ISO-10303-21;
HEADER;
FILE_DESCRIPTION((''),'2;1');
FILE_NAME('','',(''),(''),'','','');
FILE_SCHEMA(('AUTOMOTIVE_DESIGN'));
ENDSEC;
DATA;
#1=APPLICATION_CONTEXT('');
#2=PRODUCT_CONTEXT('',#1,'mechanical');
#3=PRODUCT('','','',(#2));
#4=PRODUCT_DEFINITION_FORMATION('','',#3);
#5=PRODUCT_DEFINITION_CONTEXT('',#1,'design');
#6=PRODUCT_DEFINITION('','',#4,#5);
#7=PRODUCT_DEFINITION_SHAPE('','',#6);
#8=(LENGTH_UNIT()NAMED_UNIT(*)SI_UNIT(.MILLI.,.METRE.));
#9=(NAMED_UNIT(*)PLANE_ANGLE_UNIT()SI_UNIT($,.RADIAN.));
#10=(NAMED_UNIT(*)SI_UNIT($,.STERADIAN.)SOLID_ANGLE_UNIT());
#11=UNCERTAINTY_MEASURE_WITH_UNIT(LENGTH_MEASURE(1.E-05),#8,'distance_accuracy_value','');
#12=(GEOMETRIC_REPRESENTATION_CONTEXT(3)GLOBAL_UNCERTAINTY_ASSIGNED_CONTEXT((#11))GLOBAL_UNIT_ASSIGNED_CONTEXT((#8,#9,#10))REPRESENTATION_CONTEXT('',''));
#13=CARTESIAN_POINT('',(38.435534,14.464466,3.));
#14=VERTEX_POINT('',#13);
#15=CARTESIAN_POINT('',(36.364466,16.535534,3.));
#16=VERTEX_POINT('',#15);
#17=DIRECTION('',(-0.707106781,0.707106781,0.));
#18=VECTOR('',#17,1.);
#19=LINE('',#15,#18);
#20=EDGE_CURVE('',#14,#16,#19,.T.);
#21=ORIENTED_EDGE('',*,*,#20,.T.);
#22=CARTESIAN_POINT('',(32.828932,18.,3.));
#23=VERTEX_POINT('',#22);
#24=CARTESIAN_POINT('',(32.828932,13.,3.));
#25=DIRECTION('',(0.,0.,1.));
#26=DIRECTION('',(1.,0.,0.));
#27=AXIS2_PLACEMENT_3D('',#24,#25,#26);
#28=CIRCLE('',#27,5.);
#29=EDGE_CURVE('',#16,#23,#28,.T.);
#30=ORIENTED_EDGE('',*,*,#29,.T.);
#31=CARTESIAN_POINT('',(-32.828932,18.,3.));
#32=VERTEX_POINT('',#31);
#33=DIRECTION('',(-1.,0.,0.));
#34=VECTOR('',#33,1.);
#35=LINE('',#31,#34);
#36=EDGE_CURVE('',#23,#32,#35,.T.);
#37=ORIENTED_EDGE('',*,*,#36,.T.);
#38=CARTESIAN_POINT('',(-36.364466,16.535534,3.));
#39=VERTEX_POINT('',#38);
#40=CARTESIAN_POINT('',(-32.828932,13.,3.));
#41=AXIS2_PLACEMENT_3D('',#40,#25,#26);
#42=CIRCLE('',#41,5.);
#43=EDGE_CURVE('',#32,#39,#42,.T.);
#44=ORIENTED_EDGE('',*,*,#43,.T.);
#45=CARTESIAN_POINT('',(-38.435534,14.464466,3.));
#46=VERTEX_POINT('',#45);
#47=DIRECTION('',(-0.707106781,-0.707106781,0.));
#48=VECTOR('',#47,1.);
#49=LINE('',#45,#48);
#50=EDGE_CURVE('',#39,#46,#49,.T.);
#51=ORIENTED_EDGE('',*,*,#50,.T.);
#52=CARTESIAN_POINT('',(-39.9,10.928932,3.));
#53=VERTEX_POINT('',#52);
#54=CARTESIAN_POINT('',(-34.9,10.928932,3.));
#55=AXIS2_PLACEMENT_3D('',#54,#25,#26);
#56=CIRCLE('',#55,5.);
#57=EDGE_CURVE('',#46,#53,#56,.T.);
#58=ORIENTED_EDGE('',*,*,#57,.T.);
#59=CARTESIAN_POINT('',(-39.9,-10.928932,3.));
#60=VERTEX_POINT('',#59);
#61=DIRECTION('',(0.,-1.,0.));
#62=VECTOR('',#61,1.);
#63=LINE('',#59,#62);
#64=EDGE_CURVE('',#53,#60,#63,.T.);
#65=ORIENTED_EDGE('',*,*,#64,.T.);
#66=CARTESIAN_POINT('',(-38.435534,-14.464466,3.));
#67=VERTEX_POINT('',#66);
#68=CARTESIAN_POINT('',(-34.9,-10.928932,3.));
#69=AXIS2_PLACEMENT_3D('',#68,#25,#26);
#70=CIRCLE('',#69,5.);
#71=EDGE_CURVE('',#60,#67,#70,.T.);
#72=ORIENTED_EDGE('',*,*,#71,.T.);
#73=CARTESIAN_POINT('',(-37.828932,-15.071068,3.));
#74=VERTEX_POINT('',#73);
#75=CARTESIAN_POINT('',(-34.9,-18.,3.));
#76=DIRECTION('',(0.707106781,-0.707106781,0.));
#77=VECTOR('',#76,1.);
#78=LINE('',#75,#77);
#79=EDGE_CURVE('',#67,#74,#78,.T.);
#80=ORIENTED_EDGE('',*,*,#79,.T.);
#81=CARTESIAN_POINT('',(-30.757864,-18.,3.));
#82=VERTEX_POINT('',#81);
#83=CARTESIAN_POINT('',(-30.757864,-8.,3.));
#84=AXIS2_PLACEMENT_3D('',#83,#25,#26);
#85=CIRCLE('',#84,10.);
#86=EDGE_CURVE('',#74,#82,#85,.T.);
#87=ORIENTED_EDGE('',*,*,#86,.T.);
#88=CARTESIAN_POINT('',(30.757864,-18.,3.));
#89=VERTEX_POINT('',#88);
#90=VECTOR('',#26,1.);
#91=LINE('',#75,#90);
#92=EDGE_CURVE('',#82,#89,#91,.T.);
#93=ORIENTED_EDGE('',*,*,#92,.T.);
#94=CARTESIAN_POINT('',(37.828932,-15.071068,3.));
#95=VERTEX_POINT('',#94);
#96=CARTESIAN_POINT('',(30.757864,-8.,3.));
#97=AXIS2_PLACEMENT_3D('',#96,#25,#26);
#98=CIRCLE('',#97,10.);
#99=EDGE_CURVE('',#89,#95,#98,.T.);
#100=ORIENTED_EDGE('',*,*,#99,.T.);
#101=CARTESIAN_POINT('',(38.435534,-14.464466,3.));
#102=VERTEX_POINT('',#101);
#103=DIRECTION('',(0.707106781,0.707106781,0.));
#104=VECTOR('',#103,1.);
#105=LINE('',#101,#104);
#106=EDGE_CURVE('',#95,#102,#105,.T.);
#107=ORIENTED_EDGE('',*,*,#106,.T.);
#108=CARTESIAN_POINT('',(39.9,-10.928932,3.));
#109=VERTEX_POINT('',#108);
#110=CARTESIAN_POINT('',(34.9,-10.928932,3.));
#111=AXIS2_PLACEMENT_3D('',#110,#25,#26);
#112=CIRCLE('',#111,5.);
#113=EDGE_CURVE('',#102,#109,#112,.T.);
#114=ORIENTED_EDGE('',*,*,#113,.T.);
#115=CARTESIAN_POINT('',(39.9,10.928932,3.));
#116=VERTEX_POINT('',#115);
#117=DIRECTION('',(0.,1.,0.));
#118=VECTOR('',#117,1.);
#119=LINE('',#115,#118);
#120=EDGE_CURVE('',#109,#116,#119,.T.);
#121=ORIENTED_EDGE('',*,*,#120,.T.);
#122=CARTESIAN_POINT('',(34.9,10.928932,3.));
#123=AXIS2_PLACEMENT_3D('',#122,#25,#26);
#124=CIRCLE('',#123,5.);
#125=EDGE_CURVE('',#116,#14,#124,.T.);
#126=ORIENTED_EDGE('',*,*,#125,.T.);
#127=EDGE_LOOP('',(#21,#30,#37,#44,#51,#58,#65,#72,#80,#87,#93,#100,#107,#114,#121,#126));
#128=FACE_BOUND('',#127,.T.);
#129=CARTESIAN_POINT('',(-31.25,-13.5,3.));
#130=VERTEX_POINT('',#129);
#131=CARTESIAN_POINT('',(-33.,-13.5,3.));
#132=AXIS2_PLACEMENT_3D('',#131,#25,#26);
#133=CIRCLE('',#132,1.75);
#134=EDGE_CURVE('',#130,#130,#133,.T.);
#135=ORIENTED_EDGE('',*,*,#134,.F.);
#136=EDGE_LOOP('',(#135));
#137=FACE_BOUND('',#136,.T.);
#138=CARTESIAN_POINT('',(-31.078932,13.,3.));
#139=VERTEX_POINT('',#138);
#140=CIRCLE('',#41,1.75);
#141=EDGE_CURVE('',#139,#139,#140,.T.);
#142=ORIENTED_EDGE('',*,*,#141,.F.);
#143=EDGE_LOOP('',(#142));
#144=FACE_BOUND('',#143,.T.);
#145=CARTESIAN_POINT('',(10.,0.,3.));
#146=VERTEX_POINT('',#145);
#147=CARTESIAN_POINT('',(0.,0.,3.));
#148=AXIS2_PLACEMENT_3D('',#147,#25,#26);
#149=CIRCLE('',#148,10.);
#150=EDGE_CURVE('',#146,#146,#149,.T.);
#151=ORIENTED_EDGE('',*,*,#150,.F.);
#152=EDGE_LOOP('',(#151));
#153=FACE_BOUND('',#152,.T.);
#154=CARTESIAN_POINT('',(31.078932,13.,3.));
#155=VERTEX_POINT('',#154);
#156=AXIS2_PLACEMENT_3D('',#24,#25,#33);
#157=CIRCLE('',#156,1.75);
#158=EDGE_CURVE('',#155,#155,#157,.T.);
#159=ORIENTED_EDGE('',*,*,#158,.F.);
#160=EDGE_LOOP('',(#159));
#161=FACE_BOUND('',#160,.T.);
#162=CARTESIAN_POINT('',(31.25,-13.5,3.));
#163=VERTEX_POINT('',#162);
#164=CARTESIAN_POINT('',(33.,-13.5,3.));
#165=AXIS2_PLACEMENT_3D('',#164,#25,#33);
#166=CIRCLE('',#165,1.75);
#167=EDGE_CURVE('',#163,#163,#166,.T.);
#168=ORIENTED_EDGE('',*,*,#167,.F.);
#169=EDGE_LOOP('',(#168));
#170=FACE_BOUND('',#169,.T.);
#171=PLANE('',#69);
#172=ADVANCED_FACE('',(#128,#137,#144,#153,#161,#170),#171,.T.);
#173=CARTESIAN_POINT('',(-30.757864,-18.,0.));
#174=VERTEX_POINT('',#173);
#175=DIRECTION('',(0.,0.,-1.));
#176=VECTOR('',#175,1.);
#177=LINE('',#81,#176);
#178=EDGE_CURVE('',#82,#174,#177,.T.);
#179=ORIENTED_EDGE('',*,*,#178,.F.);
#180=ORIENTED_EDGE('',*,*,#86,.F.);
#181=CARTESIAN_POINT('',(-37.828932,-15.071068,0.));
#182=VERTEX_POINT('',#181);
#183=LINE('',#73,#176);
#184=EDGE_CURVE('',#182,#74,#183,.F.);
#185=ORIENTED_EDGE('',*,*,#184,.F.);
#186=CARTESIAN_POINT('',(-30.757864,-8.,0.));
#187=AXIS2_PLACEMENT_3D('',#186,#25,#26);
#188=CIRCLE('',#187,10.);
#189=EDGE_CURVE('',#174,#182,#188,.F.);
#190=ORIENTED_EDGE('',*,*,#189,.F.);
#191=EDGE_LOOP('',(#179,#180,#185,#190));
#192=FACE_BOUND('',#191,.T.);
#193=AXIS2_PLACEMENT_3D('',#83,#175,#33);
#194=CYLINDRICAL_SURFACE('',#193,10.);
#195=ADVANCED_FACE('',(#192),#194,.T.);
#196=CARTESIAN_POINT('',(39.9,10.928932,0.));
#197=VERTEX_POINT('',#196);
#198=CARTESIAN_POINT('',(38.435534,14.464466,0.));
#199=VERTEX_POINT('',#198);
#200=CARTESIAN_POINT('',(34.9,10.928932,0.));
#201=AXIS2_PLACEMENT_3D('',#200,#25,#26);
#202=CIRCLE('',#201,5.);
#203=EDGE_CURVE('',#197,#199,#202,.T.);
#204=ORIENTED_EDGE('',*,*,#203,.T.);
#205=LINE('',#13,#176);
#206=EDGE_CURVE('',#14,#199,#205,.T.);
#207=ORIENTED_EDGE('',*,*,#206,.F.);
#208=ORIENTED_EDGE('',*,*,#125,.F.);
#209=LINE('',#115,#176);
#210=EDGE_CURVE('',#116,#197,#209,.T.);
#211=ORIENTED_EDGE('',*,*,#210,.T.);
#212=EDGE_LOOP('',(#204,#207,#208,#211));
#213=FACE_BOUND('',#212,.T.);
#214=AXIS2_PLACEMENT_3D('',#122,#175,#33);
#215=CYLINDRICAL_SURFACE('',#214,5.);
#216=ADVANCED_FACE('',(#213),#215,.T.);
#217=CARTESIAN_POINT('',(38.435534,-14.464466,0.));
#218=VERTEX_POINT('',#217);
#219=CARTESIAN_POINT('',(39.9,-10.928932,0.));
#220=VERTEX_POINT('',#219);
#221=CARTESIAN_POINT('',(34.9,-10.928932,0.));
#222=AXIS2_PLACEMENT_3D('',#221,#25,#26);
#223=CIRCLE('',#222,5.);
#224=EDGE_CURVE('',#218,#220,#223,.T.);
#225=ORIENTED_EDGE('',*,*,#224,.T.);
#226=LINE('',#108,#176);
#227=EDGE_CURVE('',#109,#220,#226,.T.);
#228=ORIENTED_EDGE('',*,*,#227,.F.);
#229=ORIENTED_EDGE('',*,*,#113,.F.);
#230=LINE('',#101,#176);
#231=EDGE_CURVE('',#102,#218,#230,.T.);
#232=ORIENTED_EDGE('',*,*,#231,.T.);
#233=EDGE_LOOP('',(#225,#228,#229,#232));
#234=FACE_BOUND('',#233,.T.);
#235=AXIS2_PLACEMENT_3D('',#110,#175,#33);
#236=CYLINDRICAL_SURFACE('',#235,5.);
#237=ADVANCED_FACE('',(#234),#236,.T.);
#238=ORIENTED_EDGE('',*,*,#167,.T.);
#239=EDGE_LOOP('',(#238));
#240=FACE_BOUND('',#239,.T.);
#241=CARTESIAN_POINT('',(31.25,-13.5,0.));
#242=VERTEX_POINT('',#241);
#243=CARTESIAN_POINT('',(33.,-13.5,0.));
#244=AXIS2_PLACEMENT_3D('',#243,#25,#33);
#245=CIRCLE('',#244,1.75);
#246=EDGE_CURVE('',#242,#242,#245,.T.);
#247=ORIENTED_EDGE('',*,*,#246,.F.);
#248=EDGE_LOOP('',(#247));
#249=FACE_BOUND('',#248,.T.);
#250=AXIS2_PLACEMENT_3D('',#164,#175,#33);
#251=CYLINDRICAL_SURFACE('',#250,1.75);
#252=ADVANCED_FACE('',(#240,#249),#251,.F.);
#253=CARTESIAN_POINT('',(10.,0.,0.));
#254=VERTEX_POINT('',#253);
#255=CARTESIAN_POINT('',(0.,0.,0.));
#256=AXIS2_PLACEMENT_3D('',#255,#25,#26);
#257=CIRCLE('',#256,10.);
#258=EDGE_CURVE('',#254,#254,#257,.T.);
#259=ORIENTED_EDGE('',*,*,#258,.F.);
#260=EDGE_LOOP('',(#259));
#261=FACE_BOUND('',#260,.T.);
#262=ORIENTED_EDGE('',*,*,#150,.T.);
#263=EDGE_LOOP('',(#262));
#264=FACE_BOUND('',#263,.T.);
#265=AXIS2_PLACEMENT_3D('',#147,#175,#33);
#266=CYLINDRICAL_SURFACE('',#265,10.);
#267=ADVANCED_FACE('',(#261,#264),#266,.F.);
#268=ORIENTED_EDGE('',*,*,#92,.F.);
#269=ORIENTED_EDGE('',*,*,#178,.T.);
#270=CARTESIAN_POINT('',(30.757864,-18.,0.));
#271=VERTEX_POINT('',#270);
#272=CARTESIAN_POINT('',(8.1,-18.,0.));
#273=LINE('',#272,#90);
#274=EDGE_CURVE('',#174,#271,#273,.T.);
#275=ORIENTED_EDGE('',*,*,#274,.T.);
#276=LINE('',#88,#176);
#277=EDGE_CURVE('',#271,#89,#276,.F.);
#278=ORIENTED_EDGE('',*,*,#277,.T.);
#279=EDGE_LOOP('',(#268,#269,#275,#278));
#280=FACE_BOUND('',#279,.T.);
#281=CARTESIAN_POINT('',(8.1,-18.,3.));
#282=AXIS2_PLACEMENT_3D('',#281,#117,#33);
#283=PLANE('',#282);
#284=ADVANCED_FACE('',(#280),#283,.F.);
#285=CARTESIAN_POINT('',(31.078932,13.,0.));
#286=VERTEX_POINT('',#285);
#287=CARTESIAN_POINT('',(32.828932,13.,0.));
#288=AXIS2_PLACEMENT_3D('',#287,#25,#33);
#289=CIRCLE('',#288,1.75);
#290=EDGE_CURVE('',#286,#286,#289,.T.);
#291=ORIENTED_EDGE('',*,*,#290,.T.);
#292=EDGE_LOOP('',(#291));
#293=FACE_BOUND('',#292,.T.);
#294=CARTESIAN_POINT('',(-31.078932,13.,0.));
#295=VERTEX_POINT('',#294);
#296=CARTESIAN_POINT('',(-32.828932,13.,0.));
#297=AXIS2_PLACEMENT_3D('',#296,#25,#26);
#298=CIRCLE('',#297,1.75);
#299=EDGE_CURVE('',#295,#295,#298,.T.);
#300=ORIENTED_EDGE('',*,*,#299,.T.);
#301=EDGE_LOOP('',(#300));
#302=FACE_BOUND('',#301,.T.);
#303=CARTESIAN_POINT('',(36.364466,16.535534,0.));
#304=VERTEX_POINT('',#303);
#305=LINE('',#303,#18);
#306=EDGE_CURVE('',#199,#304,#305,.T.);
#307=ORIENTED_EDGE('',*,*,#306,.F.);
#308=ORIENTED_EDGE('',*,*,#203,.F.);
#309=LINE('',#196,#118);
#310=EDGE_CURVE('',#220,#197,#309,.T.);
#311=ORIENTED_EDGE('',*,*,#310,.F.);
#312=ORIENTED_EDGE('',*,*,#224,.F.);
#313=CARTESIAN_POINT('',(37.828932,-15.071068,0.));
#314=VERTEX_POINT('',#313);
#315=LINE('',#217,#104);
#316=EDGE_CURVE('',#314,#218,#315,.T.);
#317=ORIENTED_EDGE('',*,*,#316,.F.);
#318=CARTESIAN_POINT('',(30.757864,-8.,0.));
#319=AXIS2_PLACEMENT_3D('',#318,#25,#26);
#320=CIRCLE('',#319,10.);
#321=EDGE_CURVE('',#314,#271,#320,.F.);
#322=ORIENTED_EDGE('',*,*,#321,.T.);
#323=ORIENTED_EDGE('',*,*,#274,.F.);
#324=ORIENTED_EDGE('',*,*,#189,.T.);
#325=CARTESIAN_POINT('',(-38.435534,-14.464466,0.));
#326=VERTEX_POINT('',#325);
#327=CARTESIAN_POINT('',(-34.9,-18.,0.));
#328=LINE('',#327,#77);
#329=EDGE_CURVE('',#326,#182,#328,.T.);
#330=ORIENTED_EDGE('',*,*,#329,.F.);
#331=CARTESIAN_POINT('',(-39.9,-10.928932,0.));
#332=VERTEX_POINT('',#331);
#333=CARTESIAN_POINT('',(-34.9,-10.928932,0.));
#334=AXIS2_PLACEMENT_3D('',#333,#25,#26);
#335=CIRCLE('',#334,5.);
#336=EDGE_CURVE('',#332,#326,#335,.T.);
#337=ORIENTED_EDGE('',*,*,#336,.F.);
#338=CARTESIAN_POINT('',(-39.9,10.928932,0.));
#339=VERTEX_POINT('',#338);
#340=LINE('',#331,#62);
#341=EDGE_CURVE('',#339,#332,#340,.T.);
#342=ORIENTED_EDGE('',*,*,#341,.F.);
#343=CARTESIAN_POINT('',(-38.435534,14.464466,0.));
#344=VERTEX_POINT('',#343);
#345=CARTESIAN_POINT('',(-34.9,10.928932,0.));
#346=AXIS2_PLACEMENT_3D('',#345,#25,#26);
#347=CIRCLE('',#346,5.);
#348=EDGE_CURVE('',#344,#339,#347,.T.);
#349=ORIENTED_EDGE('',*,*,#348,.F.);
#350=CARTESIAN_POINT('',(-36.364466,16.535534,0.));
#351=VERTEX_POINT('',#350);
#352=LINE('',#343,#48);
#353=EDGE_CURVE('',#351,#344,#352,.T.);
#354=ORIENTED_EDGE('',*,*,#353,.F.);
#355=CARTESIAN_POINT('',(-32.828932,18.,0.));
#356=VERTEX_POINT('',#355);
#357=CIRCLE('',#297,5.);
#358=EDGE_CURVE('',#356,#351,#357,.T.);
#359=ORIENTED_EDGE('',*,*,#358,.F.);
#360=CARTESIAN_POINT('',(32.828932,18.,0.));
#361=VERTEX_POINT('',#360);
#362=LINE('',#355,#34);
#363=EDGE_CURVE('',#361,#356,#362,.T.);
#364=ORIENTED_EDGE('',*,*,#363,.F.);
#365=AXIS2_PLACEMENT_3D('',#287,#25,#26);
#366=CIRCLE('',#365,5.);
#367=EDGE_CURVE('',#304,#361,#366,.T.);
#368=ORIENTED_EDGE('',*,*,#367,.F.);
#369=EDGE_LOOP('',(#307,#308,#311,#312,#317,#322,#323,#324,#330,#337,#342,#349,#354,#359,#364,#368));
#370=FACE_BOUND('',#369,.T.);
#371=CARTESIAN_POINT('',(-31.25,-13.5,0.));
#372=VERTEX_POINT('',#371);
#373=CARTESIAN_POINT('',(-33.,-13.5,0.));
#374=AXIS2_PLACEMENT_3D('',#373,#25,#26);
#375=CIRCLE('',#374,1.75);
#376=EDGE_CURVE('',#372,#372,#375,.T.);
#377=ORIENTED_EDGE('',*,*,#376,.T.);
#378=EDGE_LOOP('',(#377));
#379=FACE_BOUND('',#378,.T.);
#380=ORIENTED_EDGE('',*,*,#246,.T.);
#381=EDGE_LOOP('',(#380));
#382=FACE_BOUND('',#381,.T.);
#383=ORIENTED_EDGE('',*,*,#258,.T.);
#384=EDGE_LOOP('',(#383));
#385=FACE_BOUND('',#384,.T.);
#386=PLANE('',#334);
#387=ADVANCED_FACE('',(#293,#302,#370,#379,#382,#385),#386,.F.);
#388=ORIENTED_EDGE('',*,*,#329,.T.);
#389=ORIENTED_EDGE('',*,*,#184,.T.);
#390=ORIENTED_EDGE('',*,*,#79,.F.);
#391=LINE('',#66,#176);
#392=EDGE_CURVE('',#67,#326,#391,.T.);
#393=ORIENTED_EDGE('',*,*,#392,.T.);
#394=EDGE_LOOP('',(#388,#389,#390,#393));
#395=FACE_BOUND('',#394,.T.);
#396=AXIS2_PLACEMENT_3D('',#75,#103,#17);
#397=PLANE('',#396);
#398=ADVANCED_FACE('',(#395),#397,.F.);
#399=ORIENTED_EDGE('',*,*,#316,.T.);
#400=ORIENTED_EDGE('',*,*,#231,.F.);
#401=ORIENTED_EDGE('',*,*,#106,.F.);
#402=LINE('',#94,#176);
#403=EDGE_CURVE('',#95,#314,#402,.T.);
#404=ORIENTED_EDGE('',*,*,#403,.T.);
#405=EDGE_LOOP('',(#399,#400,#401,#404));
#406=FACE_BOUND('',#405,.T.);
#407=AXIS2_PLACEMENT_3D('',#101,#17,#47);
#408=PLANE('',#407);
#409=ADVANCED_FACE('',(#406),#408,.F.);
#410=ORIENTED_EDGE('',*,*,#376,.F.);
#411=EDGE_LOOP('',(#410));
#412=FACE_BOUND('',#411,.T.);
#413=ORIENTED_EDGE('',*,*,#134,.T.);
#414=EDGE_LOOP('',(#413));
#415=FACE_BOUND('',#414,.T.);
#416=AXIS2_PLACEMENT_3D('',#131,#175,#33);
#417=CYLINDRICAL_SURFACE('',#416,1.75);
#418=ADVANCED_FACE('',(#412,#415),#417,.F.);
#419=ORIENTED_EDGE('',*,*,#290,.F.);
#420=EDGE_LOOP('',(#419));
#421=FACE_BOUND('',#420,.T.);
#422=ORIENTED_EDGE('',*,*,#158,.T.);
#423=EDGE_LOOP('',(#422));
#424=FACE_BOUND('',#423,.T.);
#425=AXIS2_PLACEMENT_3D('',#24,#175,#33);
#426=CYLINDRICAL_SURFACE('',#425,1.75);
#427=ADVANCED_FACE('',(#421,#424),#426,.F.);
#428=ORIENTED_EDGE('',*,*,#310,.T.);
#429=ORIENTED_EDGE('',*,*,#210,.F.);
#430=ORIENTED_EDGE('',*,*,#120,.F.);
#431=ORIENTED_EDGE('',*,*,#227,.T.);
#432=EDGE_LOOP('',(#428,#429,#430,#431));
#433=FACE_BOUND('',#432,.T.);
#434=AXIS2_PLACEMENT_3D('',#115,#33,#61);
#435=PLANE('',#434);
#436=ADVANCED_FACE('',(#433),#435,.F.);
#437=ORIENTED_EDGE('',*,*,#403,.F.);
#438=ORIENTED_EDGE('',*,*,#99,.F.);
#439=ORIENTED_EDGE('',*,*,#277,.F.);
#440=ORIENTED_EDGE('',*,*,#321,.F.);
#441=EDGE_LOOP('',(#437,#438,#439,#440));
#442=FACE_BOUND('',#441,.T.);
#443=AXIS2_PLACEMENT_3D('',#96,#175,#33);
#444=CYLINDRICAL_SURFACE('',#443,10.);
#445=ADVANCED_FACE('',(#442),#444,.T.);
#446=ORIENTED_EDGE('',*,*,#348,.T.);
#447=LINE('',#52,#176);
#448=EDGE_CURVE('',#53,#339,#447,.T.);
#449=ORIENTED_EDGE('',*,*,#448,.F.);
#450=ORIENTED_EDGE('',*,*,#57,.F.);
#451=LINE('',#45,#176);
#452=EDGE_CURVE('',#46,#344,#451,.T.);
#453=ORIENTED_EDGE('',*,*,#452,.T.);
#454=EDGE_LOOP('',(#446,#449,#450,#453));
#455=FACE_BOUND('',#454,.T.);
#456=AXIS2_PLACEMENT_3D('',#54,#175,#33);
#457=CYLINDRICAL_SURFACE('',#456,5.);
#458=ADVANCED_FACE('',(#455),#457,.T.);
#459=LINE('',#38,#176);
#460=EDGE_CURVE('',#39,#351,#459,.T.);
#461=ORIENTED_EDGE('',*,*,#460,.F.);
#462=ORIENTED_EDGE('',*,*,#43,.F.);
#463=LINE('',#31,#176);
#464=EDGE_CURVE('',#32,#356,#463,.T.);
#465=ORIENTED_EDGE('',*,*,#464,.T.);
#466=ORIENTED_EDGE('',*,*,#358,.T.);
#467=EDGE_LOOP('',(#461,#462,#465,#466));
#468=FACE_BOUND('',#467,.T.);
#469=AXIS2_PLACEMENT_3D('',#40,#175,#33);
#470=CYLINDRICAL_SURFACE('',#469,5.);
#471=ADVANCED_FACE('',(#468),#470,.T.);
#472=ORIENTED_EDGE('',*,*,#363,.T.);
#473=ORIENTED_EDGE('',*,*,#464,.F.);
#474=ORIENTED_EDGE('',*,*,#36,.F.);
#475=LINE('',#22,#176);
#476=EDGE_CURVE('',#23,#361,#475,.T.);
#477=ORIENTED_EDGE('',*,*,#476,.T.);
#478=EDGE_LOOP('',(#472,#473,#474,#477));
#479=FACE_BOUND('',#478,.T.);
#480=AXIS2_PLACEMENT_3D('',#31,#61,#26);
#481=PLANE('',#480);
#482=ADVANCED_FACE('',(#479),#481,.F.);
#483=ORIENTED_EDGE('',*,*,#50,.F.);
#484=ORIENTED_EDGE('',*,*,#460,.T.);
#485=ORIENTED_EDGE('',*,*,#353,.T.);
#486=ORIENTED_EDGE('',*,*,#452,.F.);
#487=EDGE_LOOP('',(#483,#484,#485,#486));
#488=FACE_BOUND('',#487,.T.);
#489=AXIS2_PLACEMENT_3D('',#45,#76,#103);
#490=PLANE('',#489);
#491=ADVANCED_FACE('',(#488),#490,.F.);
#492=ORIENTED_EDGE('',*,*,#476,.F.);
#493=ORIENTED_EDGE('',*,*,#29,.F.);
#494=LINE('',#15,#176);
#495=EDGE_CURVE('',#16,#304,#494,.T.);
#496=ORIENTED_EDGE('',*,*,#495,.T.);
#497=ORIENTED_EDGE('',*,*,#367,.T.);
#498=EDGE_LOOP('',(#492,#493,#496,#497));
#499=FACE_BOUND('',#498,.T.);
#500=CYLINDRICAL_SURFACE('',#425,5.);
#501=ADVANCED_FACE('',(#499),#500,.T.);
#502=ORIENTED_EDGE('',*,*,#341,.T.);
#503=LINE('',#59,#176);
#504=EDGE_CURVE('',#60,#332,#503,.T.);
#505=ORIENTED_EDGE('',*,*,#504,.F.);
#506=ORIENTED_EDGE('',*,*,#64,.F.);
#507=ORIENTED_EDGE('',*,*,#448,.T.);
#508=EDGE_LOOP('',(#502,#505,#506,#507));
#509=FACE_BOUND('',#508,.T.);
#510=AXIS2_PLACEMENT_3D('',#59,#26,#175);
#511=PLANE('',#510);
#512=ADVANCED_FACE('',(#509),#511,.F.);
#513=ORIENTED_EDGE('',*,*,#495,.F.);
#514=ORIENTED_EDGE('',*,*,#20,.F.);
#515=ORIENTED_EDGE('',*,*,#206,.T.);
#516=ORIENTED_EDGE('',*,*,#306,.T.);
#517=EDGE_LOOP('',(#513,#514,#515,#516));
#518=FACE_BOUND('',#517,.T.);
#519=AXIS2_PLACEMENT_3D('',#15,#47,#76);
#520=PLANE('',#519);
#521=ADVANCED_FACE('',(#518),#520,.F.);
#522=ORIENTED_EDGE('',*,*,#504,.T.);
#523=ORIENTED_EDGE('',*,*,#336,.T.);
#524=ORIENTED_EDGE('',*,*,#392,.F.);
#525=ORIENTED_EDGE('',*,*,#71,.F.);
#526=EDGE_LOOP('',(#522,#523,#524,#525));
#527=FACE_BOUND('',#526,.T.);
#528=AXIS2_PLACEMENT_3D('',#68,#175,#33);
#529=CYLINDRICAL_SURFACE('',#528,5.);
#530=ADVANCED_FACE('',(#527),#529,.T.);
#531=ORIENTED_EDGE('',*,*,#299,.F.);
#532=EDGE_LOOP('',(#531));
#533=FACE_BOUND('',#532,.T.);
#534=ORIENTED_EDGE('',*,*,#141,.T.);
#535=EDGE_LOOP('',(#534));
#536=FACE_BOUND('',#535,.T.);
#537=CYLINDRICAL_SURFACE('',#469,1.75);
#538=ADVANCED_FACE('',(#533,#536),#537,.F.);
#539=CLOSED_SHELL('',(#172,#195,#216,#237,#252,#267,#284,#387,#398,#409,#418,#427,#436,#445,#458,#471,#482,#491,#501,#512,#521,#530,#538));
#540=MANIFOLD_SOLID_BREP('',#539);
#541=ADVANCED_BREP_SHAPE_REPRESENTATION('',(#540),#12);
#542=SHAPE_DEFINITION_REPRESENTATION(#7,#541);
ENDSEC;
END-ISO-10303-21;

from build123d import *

# Parameters (mm, degrees)
SKETCH1_R           = 1.75
SKETCH1_R_2         = 10
BOSS_EXTRUDE1_DEPTH = 3
FILLET1_R           = 10


with BuildPart() as part:
    # Sketch1 → Boss-Extrude1 (new body)
    with BuildSketch(Plane.XY):
        with BuildLine():
            Line((-39.9, -10.928932188), (-39.9, 10.928932188))
            ThreePointArc((-39.9, 10.928932188), (-39.519397663, 12.84234935), (-38.435533906, 14.464466094))
            Line((-38.435533906, 14.464466094), (-36.364466094, 16.535533906))
            ThreePointArc((-36.364466094, 16.535533906), (-34.74234935, 17.619397663), (-32.828932188, 18))
            Line((-32.828932188, 18), (32.828932188, 18))
            ThreePointArc((32.828932188, 18), (34.74234935, 17.619397663), (36.364466094, 16.535533906))
            Line((36.364466094, 16.535533906), (38.435533906, 14.464466094))
            ThreePointArc((38.435533906, 14.464466094), (39.519397663, 12.84234935), (39.9, 10.928932188))
            Line((39.9, 10.928932188), (39.9, -10.928932188))
            ThreePointArc((39.9, -10.928932188), (39.519397663, -12.84234935), (38.435533906, -14.464466094))
            Line((38.435533906, -14.464466094), (34.9, -18))
            Line((34.9, -18), (8.1, -18))
            Line((8.1, -18), (-8.1, -18))
            Line((-8.1, -18), (-34.9, -18))
            Line((-34.9, -18), (-38.435533906, -14.464466094))
            ThreePointArc((-38.435533906, -14.464466094), (-39.519397663, -12.84234935), (-39.9, -10.928932188))
        make_face()
        with Locations((-32.828932188, 13)):
            Circle(SKETCH1_R, mode=Mode.SUBTRACT)
        with Locations((-33, -13.5)):
            Circle(SKETCH1_R, mode=Mode.SUBTRACT)
        with Locations(Location((33, -13.5, 0), (0, 0, 180))):
            Circle(SKETCH1_R, mode=Mode.SUBTRACT)
        with Locations(Location((32.828932188, 13, 0), (0, 0, 180))):
            Circle(SKETCH1_R, mode=Mode.SUBTRACT)
        Circle(SKETCH1_R_2, mode=Mode.SUBTRACT)
    extrude(amount=BOSS_EXTRUDE1_DEPTH)

    # Fillet1
    fillet1_edges = [part.edges().sort_by_distance(p)[0] for p in [
        (34.9, -18, 1.5),
        (-34.9, -18, 1.5),
    ]]
    fillet(fillet1_edges, radius=FILLET1_R)


solid = part.part
